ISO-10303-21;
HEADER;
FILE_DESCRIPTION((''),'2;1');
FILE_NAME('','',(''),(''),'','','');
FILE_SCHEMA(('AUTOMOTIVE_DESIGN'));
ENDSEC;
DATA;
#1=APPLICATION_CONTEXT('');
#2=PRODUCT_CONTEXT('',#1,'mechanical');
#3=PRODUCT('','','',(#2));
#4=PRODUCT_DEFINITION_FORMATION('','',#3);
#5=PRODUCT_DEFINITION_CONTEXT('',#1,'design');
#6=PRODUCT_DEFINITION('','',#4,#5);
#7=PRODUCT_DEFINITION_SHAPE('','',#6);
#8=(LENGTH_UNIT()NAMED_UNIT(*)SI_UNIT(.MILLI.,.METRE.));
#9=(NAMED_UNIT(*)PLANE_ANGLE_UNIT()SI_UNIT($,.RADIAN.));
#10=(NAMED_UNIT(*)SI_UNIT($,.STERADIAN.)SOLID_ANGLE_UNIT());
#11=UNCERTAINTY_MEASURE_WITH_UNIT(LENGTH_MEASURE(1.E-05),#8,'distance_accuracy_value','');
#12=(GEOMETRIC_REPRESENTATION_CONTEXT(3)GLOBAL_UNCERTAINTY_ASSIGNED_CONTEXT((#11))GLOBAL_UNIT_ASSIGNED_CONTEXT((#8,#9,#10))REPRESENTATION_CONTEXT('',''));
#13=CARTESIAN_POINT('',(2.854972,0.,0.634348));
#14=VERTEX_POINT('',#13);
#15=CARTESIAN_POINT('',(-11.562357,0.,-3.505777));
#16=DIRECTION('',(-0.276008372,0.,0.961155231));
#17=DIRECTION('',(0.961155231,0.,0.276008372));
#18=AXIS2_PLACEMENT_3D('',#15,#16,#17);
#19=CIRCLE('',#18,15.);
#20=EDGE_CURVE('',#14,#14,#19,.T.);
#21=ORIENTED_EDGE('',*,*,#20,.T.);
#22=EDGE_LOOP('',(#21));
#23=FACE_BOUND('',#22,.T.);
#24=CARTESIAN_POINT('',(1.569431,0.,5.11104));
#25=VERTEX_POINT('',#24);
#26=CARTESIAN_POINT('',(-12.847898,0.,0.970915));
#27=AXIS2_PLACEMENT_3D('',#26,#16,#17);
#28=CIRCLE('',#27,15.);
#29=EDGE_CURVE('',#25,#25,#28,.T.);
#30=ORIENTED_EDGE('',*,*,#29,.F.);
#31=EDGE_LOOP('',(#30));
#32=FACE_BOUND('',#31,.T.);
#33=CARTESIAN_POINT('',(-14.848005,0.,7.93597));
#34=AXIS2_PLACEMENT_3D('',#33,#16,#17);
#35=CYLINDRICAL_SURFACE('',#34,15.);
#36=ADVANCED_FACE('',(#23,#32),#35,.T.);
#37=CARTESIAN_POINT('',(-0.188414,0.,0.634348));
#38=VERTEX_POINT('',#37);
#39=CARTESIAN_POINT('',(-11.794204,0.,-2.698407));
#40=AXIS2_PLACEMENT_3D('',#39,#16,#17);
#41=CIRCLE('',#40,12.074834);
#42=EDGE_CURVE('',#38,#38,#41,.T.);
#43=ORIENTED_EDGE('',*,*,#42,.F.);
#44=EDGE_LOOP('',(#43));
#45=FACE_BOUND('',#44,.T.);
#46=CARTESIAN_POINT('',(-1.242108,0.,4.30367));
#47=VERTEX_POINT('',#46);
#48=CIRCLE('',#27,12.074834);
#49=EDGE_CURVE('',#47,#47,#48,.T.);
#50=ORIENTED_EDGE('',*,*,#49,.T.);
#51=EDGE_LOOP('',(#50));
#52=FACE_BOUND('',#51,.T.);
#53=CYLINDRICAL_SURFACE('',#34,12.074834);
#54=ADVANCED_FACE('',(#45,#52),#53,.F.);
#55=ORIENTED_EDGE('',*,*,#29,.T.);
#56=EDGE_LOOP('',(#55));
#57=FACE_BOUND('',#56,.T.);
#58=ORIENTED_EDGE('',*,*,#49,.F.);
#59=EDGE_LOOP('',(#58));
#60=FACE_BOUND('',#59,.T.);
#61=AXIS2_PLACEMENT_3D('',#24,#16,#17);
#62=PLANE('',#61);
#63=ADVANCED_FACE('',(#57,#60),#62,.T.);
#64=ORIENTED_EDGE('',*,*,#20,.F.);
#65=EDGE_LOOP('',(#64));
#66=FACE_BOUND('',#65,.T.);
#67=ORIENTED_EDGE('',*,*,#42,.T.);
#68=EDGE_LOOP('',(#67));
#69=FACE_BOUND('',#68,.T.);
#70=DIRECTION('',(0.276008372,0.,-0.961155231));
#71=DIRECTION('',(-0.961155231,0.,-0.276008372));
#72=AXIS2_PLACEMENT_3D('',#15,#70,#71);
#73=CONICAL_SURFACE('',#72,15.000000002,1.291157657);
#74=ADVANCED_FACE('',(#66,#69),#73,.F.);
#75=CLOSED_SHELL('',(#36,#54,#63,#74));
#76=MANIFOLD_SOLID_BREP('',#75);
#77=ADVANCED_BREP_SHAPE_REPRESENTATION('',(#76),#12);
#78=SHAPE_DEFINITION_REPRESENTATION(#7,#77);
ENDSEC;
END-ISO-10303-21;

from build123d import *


with BuildPart() as part:
    # Sketch3 → Revolve3 (revolve)
    with BuildSketch(Plane(origin=(0, 0, 0), x_dir=(1, 0, 0), z_dir=(0, 1, 0))):
        Polygon((2.85497171, -0.63434841), (1.569430701, -5.111040394), (-1.242108212, -4.30367), (-0.188414235, -0.63434841), align=None)
    revolve(axis=Axis((-14.848004969, 0, 7.935969835), (0.27600837196521677, 0, -0.9611552312738617)))


solid = part.part
